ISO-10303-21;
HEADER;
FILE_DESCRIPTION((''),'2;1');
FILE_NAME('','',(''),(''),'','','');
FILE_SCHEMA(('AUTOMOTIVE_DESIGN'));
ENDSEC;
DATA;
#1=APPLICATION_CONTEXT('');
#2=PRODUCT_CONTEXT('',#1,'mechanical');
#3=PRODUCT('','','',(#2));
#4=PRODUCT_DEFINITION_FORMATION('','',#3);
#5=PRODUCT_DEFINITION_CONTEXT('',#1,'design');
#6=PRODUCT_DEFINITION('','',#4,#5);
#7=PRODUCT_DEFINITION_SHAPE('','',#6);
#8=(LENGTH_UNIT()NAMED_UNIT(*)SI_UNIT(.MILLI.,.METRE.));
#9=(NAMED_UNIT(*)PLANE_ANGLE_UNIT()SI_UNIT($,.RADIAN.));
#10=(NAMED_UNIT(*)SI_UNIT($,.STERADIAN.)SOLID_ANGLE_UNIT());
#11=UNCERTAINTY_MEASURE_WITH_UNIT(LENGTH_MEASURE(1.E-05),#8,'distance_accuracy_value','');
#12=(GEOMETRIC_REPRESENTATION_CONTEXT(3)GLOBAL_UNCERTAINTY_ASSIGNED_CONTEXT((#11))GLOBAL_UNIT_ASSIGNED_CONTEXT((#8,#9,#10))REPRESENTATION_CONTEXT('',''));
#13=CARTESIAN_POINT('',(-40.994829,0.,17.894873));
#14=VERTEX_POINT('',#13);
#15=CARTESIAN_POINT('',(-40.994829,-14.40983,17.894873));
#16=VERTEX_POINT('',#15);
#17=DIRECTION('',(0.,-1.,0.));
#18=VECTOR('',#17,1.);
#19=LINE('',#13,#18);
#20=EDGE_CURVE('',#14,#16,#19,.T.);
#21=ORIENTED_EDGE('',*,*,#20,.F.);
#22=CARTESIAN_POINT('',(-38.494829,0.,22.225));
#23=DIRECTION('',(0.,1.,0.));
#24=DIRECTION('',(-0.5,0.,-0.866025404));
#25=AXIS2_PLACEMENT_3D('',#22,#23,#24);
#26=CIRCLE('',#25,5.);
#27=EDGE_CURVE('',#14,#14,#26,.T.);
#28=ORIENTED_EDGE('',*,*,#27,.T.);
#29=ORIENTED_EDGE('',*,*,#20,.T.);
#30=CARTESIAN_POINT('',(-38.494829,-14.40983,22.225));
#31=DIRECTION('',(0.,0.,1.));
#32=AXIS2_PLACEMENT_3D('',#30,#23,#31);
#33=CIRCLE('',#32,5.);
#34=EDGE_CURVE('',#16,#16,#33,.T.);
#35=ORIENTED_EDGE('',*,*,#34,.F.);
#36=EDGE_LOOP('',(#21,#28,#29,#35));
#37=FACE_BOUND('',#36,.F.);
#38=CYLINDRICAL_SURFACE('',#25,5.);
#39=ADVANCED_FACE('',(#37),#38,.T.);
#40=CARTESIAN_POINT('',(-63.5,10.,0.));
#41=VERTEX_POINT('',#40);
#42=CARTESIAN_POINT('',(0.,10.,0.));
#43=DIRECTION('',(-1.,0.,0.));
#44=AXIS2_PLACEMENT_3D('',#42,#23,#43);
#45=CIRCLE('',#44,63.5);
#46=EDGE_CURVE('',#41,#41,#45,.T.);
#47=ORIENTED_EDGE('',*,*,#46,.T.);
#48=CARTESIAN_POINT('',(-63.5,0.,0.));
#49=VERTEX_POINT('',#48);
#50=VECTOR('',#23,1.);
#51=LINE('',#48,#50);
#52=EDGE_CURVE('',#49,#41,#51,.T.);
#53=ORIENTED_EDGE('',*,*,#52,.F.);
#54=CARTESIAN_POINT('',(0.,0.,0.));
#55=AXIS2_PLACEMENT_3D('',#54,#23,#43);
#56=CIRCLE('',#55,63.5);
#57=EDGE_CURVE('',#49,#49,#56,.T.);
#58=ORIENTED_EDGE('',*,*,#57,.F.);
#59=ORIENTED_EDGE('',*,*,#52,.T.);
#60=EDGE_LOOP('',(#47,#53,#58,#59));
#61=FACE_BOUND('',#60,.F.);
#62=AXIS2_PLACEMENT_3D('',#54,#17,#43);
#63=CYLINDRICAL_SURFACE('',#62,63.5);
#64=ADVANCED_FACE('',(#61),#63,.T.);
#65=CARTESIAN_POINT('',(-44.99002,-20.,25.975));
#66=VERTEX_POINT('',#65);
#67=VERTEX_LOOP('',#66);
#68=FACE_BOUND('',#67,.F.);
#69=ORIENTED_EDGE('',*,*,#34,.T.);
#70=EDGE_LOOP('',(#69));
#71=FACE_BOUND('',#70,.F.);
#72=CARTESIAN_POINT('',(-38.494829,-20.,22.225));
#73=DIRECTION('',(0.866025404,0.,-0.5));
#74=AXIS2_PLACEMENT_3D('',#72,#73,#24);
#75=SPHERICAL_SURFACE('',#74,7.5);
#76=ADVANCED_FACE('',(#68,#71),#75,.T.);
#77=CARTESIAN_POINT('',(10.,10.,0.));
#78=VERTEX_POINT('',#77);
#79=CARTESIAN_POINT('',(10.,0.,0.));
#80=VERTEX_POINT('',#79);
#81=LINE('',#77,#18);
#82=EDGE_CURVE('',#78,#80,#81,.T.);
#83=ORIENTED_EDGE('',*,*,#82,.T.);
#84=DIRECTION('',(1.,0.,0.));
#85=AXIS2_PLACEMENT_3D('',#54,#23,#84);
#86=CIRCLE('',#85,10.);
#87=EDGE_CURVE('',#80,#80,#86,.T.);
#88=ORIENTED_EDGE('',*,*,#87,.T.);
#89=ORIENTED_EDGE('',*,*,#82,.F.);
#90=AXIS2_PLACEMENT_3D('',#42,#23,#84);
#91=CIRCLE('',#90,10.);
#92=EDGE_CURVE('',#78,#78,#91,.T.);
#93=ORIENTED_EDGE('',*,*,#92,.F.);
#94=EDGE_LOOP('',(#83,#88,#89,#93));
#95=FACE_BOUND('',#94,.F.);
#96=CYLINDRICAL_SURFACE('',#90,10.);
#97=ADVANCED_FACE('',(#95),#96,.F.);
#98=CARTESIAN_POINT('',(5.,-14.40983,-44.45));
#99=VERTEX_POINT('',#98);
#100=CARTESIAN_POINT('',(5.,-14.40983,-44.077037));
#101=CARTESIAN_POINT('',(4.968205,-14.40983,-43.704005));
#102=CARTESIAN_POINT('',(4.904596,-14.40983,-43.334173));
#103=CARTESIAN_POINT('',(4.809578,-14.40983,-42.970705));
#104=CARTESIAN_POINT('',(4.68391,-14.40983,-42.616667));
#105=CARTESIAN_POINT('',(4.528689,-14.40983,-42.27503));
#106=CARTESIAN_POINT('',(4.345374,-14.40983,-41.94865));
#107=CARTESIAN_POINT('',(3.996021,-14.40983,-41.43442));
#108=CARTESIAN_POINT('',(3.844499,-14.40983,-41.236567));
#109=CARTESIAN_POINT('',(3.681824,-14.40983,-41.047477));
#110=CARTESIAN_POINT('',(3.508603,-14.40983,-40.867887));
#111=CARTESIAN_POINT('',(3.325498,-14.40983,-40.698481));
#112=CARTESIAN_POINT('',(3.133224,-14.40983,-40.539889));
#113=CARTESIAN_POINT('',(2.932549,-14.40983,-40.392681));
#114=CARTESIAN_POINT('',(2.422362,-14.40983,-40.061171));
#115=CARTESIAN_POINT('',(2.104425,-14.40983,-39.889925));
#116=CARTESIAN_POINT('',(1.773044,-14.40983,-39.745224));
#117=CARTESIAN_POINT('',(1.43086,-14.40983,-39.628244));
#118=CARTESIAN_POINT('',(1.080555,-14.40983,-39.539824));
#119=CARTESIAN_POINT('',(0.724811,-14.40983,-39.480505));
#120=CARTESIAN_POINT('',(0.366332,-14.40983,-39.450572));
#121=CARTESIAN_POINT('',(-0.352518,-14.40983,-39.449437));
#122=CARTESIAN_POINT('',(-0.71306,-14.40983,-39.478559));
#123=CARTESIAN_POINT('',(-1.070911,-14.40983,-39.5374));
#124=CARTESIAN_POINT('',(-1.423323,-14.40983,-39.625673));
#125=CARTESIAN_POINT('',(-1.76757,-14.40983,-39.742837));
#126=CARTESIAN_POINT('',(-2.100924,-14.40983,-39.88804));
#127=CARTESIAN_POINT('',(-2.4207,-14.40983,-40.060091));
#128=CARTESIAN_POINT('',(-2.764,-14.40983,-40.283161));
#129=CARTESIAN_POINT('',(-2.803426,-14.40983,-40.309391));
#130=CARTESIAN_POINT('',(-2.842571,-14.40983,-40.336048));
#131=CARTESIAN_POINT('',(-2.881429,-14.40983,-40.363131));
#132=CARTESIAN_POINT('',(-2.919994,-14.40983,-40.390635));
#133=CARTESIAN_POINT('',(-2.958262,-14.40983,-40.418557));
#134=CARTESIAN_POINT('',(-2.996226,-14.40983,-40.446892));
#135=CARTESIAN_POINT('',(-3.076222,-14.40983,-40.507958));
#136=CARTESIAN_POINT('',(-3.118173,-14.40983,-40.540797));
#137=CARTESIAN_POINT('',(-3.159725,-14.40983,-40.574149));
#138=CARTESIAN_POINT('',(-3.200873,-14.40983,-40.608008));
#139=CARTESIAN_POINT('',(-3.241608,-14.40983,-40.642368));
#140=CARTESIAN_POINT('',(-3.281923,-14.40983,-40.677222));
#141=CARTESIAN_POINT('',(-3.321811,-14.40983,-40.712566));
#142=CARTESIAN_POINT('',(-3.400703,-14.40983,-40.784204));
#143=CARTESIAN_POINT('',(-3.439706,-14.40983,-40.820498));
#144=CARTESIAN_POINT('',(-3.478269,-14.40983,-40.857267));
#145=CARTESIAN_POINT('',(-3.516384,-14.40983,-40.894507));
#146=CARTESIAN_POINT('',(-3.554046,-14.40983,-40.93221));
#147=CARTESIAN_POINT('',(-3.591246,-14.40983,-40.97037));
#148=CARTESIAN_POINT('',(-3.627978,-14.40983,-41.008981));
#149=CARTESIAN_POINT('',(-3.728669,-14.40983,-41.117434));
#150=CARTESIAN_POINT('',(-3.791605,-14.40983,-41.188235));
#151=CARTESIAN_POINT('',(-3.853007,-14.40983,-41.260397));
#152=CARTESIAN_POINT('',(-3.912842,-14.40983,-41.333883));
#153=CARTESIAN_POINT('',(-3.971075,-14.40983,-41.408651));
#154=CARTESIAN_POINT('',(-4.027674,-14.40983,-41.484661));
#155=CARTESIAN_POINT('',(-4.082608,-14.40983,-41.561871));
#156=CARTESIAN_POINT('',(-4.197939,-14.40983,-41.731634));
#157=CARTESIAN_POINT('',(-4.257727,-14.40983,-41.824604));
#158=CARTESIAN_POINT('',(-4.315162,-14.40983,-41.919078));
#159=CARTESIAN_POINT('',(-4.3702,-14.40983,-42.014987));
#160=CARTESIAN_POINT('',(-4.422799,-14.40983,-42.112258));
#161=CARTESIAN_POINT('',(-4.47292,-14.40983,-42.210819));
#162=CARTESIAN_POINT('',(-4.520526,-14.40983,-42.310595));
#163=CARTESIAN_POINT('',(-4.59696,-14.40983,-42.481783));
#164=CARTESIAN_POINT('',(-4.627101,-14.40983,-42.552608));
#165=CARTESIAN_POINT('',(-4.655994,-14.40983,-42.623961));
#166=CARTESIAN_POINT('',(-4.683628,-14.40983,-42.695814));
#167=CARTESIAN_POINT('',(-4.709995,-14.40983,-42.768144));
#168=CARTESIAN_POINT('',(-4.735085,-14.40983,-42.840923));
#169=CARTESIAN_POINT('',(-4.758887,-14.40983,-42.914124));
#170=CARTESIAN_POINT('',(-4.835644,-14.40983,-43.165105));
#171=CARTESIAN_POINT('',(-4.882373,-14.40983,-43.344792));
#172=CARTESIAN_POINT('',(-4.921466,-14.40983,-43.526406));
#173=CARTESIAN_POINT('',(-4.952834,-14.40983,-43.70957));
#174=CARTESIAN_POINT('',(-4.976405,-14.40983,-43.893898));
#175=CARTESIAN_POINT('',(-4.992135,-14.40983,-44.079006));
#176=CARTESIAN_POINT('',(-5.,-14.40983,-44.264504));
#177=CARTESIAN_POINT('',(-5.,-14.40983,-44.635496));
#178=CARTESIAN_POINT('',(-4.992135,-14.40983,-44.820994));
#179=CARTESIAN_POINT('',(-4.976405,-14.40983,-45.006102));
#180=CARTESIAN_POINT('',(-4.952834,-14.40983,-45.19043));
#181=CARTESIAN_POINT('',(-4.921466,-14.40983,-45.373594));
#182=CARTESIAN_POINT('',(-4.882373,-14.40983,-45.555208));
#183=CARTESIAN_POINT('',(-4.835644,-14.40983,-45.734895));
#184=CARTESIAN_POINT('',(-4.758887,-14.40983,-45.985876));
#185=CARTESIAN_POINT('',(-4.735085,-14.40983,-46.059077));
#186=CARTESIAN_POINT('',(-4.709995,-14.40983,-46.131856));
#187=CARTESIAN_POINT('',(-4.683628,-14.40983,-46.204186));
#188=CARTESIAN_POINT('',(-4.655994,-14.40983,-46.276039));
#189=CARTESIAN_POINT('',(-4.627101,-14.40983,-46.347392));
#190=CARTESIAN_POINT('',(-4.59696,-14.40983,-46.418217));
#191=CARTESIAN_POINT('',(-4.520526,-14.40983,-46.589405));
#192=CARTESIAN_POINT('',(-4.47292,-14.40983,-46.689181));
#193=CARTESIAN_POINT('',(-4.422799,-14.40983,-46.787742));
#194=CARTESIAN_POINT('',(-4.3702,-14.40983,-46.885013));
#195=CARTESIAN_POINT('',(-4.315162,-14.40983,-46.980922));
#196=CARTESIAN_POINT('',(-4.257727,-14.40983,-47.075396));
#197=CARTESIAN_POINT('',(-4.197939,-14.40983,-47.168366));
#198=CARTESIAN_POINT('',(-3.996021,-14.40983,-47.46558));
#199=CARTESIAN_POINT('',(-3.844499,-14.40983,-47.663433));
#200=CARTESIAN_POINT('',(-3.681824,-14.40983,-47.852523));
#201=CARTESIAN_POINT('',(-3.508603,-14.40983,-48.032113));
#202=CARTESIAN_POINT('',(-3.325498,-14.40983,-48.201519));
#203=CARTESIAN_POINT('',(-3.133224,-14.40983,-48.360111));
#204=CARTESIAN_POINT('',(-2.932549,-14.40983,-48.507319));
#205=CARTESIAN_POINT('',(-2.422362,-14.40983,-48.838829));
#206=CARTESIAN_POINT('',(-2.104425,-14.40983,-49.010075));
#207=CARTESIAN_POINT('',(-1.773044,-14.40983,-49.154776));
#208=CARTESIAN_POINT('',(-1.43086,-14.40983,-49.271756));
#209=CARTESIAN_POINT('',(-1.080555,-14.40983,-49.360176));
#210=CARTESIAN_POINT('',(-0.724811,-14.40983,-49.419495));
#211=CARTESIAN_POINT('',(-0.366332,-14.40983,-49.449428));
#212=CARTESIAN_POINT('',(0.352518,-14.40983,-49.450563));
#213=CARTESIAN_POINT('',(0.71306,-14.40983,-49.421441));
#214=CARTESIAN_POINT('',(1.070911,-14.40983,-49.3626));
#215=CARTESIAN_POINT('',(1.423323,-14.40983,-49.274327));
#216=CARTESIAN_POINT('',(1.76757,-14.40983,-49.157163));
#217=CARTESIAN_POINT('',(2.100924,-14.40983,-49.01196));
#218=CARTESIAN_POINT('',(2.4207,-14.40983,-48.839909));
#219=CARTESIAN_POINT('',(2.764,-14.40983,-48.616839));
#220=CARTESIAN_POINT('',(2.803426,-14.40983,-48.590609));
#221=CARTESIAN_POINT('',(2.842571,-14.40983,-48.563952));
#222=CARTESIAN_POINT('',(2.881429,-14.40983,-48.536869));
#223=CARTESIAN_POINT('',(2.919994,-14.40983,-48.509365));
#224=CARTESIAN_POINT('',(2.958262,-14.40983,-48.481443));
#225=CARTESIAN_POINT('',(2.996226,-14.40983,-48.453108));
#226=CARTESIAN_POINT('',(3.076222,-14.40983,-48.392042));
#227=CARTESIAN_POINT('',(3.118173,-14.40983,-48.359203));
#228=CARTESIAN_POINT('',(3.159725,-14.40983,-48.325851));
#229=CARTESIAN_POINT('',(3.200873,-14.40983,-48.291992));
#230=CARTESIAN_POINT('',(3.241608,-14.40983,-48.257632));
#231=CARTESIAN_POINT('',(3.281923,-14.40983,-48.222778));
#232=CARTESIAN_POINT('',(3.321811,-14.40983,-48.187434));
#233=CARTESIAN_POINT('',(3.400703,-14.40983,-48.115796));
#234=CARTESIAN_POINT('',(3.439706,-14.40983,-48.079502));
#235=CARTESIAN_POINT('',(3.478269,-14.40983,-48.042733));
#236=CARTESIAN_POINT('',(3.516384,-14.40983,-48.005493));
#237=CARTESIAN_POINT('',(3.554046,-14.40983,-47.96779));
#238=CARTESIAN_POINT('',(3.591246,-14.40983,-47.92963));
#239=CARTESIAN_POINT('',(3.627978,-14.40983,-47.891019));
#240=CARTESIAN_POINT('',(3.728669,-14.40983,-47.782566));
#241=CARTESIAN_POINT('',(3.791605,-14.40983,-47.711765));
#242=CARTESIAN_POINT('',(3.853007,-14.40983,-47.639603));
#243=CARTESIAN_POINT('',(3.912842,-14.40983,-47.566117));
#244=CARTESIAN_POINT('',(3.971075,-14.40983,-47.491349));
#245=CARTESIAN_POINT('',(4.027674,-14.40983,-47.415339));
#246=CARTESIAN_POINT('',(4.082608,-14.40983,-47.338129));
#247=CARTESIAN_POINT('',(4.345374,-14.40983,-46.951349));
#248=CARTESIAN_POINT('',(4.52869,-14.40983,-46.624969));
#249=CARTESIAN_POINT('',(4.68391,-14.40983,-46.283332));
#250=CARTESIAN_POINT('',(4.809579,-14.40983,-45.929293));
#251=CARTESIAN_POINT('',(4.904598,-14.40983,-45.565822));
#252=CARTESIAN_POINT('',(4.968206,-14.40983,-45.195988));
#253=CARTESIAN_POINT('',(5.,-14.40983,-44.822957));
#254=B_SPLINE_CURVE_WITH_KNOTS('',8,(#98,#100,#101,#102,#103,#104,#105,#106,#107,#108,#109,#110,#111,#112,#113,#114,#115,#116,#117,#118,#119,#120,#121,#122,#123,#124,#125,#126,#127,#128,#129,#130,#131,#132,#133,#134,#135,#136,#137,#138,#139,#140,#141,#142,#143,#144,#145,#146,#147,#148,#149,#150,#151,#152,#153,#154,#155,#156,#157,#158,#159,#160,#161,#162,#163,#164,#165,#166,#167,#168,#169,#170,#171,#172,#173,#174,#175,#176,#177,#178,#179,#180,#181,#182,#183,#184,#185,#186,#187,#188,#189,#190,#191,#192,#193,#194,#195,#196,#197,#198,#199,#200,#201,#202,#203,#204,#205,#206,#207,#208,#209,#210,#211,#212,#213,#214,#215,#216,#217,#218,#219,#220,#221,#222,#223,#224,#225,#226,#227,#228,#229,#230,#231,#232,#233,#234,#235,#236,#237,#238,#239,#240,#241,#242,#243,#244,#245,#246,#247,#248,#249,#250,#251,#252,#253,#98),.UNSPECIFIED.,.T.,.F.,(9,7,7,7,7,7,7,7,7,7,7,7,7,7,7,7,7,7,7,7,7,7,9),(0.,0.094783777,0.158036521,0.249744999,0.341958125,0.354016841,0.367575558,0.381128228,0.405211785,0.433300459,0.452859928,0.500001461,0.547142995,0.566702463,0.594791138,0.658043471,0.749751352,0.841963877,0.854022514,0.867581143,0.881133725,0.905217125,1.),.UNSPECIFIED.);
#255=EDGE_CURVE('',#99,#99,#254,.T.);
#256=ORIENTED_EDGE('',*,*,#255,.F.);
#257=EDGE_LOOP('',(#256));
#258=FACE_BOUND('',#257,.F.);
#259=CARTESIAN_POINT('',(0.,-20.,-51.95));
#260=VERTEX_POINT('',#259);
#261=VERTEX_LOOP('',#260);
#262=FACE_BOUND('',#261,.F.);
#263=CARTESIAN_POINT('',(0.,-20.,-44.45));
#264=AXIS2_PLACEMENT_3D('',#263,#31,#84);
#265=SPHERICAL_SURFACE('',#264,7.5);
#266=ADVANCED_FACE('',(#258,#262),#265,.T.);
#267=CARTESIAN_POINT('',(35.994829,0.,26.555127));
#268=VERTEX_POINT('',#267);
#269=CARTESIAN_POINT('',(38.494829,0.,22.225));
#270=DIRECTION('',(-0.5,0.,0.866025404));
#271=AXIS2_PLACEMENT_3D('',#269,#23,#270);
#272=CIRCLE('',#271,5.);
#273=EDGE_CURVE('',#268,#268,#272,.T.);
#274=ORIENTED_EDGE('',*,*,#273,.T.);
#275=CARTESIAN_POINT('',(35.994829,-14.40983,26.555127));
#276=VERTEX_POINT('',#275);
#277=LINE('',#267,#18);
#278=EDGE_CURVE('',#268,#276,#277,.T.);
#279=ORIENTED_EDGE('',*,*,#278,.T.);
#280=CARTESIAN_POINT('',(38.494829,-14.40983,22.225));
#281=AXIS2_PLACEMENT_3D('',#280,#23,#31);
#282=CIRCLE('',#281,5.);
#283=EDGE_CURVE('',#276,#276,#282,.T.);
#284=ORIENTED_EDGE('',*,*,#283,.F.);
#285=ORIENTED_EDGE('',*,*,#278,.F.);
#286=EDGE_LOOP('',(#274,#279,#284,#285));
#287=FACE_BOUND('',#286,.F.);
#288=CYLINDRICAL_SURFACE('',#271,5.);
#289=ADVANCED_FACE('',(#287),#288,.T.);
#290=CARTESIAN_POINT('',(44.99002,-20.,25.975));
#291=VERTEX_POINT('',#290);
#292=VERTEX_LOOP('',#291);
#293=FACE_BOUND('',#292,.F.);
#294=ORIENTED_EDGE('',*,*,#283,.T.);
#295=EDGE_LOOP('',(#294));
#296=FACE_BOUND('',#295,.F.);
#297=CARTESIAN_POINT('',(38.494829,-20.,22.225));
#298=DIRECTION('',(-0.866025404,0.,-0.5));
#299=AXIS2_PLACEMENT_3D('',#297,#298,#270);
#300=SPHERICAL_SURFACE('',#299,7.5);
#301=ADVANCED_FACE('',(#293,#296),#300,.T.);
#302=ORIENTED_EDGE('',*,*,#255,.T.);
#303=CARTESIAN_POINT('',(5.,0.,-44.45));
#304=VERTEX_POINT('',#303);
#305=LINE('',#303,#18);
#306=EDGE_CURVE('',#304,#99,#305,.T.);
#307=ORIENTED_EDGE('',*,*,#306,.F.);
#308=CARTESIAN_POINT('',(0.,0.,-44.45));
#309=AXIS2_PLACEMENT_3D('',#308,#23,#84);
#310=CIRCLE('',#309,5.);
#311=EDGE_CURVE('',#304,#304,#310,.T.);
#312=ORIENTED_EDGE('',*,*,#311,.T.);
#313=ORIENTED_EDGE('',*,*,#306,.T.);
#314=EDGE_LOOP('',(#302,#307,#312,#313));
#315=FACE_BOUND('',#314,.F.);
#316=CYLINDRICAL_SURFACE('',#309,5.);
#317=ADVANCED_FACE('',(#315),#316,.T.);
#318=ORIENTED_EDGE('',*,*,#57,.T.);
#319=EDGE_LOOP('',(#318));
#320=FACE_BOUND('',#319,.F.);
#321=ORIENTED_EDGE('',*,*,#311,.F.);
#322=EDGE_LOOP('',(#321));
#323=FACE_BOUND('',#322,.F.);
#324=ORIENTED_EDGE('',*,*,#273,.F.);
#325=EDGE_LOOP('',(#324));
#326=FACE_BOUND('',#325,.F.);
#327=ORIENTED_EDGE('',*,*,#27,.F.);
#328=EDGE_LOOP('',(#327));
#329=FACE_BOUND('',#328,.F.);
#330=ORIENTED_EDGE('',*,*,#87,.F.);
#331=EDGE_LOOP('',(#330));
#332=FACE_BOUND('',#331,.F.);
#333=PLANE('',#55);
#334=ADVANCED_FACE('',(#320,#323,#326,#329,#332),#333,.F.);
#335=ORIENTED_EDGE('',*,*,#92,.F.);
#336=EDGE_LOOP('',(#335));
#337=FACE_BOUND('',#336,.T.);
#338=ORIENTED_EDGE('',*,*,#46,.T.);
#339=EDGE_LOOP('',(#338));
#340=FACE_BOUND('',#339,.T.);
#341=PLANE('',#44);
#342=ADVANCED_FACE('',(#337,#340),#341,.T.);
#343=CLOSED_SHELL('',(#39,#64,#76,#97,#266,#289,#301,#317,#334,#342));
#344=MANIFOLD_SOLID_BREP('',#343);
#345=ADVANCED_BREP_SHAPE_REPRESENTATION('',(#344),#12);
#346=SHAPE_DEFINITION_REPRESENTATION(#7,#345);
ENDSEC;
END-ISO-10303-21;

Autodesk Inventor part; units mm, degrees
ref_plane "YZ Plane" through (0, 0, 0) normal (1, 0, 0) x (0, 1, 0)
ref_plane "XZ Plane" through (0, 0, 0) normal (0, 1, 0) x (-1, 0, 0)
ref_plane "XY Plane" through (0, 0, 0) normal (0, 0, 1) x (1, 0, 0)
sketch "Sketch1" plane through (0, 0, 0) normal (0, 1, 0) x (-1, 0, 0)
  circle A0 centre (0, 0) radius 63.5
  dimension "d0" = 127
extrude "Extrusion1" add sketch "Sketch1" along normal blind 10
sketch "Sketch2" plane through (0, 0, 0) normal (0, -1, 0) x (1, 0, 0)
  circle A0 centre (0, -44.45) radius 5
  line L0 (0, 0) -> (0, -44.45)
  dimension "d3" = 44.45
  dimension "d4" = 10
extrude "Extrusion2" add sketch "Sketch2" along normal blind 20
sketch "Sketch3" plane through (0, -20, -44.45) normal (0, -1, 0) x (1, 0, 0)
  circle A0 centre (0, 0) radius 5 projected
  arc A1 (0, -7.5) -> (0, 7.5) centre (0, 0) ccw
  line L0 (0, 0) -> (0, -7.5)
  line L1 (0, 0) -> (0, 7.5)
  point P0 (0, 44.45)
  dimension "d7" = 7.5
revolve "Revolution1" add sketch "Sketch3" angle 360 about axis through (0, -20, -44.45) along (0, 0, -1) picked at (1.094, -3.1265) contours A0 L0 L1 | A0 L1 A1 L0
pattern_circular "Circular Pattern1" count 3 over 360 about axis through (0, -10, 0) along (0, 1, 0) of "Extrusion2", "Revolution1"
sketch "Sketch4" plane through (0, 10, 0) normal (0, 1, 0) x (1, 0, 0)
  circle A0 centre (0, 0) radius 10
  dimension "d12" = 20
extrude "Extrusion3" cut sketch "Sketch4" against normal up to surface (10 mm away)
properties part number "pll-base"
